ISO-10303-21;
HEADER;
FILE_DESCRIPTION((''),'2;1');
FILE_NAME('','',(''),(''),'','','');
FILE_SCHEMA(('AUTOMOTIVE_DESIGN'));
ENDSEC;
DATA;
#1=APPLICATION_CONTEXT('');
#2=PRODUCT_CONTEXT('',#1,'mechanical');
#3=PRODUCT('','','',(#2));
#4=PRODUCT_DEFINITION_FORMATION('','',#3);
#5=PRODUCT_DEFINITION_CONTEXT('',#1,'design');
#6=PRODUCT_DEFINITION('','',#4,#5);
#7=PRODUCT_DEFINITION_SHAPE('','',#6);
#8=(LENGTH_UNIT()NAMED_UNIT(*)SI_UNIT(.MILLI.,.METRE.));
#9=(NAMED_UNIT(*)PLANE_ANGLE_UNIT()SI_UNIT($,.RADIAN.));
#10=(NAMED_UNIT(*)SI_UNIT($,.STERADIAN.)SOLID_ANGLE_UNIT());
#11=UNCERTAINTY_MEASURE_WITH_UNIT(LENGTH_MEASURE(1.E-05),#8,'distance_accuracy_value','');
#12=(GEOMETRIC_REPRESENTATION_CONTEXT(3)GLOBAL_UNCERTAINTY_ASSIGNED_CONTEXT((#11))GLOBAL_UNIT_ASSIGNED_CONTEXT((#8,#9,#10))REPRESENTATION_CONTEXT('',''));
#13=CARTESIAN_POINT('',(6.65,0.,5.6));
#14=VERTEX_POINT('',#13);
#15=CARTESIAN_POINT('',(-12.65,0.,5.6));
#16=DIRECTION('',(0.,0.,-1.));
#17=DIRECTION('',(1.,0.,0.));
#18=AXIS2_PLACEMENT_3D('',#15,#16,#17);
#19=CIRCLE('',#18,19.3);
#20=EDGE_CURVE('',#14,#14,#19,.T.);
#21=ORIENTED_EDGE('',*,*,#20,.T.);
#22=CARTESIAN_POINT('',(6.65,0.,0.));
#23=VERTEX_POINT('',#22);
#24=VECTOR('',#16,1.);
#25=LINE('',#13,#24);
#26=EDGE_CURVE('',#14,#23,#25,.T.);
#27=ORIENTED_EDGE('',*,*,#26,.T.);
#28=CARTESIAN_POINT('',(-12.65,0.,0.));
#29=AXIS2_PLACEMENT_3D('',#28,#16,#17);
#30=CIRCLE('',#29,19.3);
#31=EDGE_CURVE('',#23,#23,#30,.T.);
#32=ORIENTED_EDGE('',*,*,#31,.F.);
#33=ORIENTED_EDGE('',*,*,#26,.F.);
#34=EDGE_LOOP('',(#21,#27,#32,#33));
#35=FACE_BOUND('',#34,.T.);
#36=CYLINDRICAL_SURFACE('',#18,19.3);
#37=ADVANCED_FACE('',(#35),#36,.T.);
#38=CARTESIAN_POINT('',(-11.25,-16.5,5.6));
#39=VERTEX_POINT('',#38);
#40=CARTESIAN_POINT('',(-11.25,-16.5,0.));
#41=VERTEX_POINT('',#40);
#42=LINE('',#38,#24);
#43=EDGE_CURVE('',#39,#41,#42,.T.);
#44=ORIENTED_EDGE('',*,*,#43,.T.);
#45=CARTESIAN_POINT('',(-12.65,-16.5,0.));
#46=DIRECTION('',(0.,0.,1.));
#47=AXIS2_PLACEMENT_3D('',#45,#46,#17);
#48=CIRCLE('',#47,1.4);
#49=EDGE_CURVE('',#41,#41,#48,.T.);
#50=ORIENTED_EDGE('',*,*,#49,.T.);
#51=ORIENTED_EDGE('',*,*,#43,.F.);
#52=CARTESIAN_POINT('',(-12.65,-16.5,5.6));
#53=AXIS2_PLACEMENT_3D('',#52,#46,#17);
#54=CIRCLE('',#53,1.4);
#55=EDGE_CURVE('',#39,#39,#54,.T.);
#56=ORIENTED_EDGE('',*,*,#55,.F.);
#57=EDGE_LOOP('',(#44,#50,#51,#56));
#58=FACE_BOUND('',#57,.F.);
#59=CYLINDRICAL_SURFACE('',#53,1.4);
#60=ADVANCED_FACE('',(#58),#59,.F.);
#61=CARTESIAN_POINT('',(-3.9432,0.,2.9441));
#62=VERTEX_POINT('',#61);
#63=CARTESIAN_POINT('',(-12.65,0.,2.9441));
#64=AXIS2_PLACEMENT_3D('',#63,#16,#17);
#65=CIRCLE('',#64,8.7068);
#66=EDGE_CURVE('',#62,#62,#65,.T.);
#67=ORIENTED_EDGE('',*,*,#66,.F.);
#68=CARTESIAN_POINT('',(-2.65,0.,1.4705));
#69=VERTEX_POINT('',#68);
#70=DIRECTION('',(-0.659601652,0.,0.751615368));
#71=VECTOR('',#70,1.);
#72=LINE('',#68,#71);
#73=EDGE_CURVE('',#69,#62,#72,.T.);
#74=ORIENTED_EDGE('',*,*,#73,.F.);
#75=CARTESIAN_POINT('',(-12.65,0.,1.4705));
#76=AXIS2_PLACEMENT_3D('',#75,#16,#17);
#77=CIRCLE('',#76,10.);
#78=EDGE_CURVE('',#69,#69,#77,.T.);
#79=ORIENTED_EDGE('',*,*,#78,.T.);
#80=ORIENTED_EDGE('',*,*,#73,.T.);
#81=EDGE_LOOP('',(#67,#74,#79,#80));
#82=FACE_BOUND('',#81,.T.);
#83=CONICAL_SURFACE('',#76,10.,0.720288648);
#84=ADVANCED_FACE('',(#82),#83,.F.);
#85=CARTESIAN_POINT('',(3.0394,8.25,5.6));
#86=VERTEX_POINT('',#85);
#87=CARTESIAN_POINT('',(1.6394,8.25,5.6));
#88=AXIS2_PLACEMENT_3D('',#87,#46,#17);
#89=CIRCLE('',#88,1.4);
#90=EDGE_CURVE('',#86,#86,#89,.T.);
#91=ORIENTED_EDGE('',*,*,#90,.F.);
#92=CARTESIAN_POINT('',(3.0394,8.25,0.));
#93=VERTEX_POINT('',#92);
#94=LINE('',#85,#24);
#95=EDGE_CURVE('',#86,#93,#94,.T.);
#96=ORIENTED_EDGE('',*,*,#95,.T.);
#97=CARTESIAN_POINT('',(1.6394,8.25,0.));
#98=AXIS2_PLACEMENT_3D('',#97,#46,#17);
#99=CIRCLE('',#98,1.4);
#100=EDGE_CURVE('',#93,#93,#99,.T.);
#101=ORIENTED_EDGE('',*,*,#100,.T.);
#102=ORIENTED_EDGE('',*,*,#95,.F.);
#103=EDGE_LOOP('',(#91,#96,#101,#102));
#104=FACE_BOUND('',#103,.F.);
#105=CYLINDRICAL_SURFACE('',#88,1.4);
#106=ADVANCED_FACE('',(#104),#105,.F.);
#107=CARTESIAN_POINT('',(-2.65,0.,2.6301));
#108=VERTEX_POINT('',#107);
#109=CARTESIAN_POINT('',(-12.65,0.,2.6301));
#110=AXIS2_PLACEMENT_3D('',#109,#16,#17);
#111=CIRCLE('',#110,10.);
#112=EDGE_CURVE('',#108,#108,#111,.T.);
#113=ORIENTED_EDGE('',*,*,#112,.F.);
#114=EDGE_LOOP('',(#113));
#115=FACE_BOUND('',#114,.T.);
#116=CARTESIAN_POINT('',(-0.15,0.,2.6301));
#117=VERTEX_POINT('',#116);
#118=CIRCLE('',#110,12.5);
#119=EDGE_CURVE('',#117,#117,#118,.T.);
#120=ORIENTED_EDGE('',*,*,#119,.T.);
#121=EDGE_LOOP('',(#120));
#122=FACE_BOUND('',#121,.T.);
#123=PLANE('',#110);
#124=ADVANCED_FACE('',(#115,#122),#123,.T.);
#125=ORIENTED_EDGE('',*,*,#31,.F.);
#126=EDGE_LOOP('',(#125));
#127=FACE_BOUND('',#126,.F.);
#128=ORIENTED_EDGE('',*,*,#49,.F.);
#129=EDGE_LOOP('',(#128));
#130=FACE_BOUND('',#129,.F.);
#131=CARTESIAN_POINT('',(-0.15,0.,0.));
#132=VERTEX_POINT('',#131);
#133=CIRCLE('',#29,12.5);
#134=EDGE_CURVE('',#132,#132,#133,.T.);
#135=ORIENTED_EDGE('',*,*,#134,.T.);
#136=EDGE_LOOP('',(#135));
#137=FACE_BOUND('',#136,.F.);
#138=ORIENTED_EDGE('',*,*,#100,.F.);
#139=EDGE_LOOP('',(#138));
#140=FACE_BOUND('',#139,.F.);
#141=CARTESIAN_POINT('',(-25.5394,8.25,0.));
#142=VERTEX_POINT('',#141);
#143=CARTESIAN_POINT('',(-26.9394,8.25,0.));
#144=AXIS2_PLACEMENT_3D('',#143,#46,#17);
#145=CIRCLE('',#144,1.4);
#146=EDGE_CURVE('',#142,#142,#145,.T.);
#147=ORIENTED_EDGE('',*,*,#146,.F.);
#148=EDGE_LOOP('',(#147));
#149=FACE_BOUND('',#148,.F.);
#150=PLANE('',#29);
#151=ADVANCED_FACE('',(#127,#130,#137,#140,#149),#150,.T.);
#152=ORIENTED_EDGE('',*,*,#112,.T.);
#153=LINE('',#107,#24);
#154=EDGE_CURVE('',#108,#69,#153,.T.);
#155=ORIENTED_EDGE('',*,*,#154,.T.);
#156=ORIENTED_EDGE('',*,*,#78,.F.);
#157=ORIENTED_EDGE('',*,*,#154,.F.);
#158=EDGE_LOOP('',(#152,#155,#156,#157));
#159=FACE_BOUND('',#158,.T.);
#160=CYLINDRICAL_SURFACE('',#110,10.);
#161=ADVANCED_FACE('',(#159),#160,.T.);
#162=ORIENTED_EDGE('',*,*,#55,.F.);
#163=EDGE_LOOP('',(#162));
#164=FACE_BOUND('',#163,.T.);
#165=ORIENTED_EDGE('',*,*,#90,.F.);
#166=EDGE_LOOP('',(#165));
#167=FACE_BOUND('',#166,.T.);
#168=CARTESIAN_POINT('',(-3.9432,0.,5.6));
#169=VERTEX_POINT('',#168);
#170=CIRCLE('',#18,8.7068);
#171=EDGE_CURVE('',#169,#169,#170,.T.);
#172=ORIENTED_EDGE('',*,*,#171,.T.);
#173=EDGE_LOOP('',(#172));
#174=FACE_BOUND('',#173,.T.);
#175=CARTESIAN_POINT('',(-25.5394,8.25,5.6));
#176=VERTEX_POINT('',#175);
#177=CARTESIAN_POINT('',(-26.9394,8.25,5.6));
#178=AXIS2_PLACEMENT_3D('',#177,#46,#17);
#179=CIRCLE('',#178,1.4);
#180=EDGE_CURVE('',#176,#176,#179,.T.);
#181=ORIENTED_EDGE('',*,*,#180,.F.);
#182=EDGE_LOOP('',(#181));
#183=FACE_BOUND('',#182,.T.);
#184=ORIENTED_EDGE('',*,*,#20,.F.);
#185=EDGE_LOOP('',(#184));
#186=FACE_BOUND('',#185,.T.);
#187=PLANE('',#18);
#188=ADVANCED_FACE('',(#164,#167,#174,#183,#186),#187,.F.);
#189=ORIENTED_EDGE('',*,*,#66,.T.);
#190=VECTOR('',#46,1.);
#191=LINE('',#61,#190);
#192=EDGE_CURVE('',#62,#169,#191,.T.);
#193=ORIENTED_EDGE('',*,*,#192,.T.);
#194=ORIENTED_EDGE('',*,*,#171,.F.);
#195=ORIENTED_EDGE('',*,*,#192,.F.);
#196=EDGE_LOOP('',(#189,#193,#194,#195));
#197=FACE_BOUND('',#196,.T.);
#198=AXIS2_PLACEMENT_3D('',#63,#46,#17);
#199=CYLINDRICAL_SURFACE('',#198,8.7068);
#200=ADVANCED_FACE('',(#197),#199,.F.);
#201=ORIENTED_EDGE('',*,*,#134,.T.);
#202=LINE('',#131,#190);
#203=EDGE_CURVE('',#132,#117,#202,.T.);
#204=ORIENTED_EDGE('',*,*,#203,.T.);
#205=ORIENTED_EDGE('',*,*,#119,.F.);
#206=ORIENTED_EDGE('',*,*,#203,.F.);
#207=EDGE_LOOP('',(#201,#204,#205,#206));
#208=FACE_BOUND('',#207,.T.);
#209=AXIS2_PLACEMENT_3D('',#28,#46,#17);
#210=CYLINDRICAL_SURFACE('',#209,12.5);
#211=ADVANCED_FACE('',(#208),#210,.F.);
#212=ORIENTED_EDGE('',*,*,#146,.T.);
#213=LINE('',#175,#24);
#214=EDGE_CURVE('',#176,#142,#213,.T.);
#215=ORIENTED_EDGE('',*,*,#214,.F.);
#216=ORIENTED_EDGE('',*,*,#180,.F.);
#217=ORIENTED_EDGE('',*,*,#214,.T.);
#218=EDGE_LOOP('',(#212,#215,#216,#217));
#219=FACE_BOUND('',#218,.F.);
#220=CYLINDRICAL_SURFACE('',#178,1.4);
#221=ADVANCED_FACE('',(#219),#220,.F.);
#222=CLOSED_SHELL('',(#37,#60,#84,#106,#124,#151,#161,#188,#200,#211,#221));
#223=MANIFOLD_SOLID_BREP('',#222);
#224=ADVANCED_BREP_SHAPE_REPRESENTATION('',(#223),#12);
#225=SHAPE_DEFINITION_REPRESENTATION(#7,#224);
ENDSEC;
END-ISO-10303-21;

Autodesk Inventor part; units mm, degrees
ref_plane "YZ Plane" through (0, 0, 0) normal (1, 0, 0) x (0, 1, 0)
ref_plane "XZ Plane" through (0, 0, 0) normal (0, 1, 0) x (-1, 0, 0)
ref_plane "XY Plane" through (0, 0, 0) normal (0, 0, 1) x (1, 0, 0)
sketch "Skizze1" plane through (0, 0, 0) normal (0, 1, 0) x (-1, 0, 0)
  line L0 (-6.65, -5) -> (-6.65, 0)
  line L1 (31.95, 0) -> (-6.65, 0) projected
  line L2 (25.15, 0.6) -> (0.15, 0.6) projected
  line L3 (0.15, 0) -> (0.15, 0.6)
  line L4 (25.65, 5.6) -> (-0.35, 5.6) projected
  line L5 (-6.65, 0) -> (-0.0746, 0)
  line L6 (-0.0746, 0) -> (-0.0746, 0.397)
  line L7 (-0.0746, 0.397) -> (3.1743, 0.397) construction
  line L8 (3.9432, 5.6) -> (-6.65, 5.6)
  line L9 (-6.65, 5.6) -> (-6.65, 0)
  line L10 (0.15, 2.6301) -> (2.65, 2.6301)
  line L11 (2.65, 2.6301) -> (2.65, 0.1301)
  line L12 (2.65, 0.1301) -> (0.15, 0.1301)
  line L13 (0.15, 0.1301) -> (0.15, 2.6301)
  line L14 (0.15, 2.6301) -> (2.65, 0.1301) construction
  line L15 (2.65, 2.6301) -> (0.15, 0.1301) construction
  line L16 (2.65, 1.4705) -> (3.9432, 2.9441)
  line L17 (3.9432, 2.9441) -> (3.9432, 5.6)
  line L18 (12.65, 7.6215) -> (12.65, -1.0202)
  line L19 (4.6015, 2.505) -> (4.6015, 3.505)
  line L20 (20.6985, 2.505) -> (20.6985, 3.505)
  line L21 (-0.0746, 0.397) -> (0.15, 0.397)
  point P0 (0, 0)
  point P1 (1.4, 1.3801)
  point P2 (0.15, 0.397)
  point P3 (2.65, 0.6)
  point P4 (0.15, 0.1301)
  dimension "d0" = 2.5
  dimension "d1" = 2.5
  dimension "d3" = 16.0971
  dimension "d4" = 8.0485
  dimension "d5" = 11.25
revolve "Umdrehung1" add sketch "Skizze1" angle 360 about axis through (-12.65, 0, 7.6215) along (0, 0, -1) contours L1 L6 L21 L3 | L1 L9 L8 L4 L17 L16 L11 L10 L13 L3 L21 L6
sketch "Skizze2" plane through (-12.65, 0, 5.6) normal (0, 0, 1) x (1, 0, 0)
  circle A0 centre (14.2894, 8.25) radius 1.4 projected
  circle A1 centre (-14.2894, 8.25) radius 1.4 projected
  arc A2 (-6.25, 7.8062) -> (6.25, 7.8062) centre (0, 0) ccw projected
  circle A3 centre (0, -16.5) radius 1.4 projected
  point P0 (12.65, 0)
extrude "Extrusion1" cut sketch "Skizze2" against normal blind 10
equation "\"d4\" = 0.5 * d3"
properties part number "50_ETL_Base_layer1_v0"
